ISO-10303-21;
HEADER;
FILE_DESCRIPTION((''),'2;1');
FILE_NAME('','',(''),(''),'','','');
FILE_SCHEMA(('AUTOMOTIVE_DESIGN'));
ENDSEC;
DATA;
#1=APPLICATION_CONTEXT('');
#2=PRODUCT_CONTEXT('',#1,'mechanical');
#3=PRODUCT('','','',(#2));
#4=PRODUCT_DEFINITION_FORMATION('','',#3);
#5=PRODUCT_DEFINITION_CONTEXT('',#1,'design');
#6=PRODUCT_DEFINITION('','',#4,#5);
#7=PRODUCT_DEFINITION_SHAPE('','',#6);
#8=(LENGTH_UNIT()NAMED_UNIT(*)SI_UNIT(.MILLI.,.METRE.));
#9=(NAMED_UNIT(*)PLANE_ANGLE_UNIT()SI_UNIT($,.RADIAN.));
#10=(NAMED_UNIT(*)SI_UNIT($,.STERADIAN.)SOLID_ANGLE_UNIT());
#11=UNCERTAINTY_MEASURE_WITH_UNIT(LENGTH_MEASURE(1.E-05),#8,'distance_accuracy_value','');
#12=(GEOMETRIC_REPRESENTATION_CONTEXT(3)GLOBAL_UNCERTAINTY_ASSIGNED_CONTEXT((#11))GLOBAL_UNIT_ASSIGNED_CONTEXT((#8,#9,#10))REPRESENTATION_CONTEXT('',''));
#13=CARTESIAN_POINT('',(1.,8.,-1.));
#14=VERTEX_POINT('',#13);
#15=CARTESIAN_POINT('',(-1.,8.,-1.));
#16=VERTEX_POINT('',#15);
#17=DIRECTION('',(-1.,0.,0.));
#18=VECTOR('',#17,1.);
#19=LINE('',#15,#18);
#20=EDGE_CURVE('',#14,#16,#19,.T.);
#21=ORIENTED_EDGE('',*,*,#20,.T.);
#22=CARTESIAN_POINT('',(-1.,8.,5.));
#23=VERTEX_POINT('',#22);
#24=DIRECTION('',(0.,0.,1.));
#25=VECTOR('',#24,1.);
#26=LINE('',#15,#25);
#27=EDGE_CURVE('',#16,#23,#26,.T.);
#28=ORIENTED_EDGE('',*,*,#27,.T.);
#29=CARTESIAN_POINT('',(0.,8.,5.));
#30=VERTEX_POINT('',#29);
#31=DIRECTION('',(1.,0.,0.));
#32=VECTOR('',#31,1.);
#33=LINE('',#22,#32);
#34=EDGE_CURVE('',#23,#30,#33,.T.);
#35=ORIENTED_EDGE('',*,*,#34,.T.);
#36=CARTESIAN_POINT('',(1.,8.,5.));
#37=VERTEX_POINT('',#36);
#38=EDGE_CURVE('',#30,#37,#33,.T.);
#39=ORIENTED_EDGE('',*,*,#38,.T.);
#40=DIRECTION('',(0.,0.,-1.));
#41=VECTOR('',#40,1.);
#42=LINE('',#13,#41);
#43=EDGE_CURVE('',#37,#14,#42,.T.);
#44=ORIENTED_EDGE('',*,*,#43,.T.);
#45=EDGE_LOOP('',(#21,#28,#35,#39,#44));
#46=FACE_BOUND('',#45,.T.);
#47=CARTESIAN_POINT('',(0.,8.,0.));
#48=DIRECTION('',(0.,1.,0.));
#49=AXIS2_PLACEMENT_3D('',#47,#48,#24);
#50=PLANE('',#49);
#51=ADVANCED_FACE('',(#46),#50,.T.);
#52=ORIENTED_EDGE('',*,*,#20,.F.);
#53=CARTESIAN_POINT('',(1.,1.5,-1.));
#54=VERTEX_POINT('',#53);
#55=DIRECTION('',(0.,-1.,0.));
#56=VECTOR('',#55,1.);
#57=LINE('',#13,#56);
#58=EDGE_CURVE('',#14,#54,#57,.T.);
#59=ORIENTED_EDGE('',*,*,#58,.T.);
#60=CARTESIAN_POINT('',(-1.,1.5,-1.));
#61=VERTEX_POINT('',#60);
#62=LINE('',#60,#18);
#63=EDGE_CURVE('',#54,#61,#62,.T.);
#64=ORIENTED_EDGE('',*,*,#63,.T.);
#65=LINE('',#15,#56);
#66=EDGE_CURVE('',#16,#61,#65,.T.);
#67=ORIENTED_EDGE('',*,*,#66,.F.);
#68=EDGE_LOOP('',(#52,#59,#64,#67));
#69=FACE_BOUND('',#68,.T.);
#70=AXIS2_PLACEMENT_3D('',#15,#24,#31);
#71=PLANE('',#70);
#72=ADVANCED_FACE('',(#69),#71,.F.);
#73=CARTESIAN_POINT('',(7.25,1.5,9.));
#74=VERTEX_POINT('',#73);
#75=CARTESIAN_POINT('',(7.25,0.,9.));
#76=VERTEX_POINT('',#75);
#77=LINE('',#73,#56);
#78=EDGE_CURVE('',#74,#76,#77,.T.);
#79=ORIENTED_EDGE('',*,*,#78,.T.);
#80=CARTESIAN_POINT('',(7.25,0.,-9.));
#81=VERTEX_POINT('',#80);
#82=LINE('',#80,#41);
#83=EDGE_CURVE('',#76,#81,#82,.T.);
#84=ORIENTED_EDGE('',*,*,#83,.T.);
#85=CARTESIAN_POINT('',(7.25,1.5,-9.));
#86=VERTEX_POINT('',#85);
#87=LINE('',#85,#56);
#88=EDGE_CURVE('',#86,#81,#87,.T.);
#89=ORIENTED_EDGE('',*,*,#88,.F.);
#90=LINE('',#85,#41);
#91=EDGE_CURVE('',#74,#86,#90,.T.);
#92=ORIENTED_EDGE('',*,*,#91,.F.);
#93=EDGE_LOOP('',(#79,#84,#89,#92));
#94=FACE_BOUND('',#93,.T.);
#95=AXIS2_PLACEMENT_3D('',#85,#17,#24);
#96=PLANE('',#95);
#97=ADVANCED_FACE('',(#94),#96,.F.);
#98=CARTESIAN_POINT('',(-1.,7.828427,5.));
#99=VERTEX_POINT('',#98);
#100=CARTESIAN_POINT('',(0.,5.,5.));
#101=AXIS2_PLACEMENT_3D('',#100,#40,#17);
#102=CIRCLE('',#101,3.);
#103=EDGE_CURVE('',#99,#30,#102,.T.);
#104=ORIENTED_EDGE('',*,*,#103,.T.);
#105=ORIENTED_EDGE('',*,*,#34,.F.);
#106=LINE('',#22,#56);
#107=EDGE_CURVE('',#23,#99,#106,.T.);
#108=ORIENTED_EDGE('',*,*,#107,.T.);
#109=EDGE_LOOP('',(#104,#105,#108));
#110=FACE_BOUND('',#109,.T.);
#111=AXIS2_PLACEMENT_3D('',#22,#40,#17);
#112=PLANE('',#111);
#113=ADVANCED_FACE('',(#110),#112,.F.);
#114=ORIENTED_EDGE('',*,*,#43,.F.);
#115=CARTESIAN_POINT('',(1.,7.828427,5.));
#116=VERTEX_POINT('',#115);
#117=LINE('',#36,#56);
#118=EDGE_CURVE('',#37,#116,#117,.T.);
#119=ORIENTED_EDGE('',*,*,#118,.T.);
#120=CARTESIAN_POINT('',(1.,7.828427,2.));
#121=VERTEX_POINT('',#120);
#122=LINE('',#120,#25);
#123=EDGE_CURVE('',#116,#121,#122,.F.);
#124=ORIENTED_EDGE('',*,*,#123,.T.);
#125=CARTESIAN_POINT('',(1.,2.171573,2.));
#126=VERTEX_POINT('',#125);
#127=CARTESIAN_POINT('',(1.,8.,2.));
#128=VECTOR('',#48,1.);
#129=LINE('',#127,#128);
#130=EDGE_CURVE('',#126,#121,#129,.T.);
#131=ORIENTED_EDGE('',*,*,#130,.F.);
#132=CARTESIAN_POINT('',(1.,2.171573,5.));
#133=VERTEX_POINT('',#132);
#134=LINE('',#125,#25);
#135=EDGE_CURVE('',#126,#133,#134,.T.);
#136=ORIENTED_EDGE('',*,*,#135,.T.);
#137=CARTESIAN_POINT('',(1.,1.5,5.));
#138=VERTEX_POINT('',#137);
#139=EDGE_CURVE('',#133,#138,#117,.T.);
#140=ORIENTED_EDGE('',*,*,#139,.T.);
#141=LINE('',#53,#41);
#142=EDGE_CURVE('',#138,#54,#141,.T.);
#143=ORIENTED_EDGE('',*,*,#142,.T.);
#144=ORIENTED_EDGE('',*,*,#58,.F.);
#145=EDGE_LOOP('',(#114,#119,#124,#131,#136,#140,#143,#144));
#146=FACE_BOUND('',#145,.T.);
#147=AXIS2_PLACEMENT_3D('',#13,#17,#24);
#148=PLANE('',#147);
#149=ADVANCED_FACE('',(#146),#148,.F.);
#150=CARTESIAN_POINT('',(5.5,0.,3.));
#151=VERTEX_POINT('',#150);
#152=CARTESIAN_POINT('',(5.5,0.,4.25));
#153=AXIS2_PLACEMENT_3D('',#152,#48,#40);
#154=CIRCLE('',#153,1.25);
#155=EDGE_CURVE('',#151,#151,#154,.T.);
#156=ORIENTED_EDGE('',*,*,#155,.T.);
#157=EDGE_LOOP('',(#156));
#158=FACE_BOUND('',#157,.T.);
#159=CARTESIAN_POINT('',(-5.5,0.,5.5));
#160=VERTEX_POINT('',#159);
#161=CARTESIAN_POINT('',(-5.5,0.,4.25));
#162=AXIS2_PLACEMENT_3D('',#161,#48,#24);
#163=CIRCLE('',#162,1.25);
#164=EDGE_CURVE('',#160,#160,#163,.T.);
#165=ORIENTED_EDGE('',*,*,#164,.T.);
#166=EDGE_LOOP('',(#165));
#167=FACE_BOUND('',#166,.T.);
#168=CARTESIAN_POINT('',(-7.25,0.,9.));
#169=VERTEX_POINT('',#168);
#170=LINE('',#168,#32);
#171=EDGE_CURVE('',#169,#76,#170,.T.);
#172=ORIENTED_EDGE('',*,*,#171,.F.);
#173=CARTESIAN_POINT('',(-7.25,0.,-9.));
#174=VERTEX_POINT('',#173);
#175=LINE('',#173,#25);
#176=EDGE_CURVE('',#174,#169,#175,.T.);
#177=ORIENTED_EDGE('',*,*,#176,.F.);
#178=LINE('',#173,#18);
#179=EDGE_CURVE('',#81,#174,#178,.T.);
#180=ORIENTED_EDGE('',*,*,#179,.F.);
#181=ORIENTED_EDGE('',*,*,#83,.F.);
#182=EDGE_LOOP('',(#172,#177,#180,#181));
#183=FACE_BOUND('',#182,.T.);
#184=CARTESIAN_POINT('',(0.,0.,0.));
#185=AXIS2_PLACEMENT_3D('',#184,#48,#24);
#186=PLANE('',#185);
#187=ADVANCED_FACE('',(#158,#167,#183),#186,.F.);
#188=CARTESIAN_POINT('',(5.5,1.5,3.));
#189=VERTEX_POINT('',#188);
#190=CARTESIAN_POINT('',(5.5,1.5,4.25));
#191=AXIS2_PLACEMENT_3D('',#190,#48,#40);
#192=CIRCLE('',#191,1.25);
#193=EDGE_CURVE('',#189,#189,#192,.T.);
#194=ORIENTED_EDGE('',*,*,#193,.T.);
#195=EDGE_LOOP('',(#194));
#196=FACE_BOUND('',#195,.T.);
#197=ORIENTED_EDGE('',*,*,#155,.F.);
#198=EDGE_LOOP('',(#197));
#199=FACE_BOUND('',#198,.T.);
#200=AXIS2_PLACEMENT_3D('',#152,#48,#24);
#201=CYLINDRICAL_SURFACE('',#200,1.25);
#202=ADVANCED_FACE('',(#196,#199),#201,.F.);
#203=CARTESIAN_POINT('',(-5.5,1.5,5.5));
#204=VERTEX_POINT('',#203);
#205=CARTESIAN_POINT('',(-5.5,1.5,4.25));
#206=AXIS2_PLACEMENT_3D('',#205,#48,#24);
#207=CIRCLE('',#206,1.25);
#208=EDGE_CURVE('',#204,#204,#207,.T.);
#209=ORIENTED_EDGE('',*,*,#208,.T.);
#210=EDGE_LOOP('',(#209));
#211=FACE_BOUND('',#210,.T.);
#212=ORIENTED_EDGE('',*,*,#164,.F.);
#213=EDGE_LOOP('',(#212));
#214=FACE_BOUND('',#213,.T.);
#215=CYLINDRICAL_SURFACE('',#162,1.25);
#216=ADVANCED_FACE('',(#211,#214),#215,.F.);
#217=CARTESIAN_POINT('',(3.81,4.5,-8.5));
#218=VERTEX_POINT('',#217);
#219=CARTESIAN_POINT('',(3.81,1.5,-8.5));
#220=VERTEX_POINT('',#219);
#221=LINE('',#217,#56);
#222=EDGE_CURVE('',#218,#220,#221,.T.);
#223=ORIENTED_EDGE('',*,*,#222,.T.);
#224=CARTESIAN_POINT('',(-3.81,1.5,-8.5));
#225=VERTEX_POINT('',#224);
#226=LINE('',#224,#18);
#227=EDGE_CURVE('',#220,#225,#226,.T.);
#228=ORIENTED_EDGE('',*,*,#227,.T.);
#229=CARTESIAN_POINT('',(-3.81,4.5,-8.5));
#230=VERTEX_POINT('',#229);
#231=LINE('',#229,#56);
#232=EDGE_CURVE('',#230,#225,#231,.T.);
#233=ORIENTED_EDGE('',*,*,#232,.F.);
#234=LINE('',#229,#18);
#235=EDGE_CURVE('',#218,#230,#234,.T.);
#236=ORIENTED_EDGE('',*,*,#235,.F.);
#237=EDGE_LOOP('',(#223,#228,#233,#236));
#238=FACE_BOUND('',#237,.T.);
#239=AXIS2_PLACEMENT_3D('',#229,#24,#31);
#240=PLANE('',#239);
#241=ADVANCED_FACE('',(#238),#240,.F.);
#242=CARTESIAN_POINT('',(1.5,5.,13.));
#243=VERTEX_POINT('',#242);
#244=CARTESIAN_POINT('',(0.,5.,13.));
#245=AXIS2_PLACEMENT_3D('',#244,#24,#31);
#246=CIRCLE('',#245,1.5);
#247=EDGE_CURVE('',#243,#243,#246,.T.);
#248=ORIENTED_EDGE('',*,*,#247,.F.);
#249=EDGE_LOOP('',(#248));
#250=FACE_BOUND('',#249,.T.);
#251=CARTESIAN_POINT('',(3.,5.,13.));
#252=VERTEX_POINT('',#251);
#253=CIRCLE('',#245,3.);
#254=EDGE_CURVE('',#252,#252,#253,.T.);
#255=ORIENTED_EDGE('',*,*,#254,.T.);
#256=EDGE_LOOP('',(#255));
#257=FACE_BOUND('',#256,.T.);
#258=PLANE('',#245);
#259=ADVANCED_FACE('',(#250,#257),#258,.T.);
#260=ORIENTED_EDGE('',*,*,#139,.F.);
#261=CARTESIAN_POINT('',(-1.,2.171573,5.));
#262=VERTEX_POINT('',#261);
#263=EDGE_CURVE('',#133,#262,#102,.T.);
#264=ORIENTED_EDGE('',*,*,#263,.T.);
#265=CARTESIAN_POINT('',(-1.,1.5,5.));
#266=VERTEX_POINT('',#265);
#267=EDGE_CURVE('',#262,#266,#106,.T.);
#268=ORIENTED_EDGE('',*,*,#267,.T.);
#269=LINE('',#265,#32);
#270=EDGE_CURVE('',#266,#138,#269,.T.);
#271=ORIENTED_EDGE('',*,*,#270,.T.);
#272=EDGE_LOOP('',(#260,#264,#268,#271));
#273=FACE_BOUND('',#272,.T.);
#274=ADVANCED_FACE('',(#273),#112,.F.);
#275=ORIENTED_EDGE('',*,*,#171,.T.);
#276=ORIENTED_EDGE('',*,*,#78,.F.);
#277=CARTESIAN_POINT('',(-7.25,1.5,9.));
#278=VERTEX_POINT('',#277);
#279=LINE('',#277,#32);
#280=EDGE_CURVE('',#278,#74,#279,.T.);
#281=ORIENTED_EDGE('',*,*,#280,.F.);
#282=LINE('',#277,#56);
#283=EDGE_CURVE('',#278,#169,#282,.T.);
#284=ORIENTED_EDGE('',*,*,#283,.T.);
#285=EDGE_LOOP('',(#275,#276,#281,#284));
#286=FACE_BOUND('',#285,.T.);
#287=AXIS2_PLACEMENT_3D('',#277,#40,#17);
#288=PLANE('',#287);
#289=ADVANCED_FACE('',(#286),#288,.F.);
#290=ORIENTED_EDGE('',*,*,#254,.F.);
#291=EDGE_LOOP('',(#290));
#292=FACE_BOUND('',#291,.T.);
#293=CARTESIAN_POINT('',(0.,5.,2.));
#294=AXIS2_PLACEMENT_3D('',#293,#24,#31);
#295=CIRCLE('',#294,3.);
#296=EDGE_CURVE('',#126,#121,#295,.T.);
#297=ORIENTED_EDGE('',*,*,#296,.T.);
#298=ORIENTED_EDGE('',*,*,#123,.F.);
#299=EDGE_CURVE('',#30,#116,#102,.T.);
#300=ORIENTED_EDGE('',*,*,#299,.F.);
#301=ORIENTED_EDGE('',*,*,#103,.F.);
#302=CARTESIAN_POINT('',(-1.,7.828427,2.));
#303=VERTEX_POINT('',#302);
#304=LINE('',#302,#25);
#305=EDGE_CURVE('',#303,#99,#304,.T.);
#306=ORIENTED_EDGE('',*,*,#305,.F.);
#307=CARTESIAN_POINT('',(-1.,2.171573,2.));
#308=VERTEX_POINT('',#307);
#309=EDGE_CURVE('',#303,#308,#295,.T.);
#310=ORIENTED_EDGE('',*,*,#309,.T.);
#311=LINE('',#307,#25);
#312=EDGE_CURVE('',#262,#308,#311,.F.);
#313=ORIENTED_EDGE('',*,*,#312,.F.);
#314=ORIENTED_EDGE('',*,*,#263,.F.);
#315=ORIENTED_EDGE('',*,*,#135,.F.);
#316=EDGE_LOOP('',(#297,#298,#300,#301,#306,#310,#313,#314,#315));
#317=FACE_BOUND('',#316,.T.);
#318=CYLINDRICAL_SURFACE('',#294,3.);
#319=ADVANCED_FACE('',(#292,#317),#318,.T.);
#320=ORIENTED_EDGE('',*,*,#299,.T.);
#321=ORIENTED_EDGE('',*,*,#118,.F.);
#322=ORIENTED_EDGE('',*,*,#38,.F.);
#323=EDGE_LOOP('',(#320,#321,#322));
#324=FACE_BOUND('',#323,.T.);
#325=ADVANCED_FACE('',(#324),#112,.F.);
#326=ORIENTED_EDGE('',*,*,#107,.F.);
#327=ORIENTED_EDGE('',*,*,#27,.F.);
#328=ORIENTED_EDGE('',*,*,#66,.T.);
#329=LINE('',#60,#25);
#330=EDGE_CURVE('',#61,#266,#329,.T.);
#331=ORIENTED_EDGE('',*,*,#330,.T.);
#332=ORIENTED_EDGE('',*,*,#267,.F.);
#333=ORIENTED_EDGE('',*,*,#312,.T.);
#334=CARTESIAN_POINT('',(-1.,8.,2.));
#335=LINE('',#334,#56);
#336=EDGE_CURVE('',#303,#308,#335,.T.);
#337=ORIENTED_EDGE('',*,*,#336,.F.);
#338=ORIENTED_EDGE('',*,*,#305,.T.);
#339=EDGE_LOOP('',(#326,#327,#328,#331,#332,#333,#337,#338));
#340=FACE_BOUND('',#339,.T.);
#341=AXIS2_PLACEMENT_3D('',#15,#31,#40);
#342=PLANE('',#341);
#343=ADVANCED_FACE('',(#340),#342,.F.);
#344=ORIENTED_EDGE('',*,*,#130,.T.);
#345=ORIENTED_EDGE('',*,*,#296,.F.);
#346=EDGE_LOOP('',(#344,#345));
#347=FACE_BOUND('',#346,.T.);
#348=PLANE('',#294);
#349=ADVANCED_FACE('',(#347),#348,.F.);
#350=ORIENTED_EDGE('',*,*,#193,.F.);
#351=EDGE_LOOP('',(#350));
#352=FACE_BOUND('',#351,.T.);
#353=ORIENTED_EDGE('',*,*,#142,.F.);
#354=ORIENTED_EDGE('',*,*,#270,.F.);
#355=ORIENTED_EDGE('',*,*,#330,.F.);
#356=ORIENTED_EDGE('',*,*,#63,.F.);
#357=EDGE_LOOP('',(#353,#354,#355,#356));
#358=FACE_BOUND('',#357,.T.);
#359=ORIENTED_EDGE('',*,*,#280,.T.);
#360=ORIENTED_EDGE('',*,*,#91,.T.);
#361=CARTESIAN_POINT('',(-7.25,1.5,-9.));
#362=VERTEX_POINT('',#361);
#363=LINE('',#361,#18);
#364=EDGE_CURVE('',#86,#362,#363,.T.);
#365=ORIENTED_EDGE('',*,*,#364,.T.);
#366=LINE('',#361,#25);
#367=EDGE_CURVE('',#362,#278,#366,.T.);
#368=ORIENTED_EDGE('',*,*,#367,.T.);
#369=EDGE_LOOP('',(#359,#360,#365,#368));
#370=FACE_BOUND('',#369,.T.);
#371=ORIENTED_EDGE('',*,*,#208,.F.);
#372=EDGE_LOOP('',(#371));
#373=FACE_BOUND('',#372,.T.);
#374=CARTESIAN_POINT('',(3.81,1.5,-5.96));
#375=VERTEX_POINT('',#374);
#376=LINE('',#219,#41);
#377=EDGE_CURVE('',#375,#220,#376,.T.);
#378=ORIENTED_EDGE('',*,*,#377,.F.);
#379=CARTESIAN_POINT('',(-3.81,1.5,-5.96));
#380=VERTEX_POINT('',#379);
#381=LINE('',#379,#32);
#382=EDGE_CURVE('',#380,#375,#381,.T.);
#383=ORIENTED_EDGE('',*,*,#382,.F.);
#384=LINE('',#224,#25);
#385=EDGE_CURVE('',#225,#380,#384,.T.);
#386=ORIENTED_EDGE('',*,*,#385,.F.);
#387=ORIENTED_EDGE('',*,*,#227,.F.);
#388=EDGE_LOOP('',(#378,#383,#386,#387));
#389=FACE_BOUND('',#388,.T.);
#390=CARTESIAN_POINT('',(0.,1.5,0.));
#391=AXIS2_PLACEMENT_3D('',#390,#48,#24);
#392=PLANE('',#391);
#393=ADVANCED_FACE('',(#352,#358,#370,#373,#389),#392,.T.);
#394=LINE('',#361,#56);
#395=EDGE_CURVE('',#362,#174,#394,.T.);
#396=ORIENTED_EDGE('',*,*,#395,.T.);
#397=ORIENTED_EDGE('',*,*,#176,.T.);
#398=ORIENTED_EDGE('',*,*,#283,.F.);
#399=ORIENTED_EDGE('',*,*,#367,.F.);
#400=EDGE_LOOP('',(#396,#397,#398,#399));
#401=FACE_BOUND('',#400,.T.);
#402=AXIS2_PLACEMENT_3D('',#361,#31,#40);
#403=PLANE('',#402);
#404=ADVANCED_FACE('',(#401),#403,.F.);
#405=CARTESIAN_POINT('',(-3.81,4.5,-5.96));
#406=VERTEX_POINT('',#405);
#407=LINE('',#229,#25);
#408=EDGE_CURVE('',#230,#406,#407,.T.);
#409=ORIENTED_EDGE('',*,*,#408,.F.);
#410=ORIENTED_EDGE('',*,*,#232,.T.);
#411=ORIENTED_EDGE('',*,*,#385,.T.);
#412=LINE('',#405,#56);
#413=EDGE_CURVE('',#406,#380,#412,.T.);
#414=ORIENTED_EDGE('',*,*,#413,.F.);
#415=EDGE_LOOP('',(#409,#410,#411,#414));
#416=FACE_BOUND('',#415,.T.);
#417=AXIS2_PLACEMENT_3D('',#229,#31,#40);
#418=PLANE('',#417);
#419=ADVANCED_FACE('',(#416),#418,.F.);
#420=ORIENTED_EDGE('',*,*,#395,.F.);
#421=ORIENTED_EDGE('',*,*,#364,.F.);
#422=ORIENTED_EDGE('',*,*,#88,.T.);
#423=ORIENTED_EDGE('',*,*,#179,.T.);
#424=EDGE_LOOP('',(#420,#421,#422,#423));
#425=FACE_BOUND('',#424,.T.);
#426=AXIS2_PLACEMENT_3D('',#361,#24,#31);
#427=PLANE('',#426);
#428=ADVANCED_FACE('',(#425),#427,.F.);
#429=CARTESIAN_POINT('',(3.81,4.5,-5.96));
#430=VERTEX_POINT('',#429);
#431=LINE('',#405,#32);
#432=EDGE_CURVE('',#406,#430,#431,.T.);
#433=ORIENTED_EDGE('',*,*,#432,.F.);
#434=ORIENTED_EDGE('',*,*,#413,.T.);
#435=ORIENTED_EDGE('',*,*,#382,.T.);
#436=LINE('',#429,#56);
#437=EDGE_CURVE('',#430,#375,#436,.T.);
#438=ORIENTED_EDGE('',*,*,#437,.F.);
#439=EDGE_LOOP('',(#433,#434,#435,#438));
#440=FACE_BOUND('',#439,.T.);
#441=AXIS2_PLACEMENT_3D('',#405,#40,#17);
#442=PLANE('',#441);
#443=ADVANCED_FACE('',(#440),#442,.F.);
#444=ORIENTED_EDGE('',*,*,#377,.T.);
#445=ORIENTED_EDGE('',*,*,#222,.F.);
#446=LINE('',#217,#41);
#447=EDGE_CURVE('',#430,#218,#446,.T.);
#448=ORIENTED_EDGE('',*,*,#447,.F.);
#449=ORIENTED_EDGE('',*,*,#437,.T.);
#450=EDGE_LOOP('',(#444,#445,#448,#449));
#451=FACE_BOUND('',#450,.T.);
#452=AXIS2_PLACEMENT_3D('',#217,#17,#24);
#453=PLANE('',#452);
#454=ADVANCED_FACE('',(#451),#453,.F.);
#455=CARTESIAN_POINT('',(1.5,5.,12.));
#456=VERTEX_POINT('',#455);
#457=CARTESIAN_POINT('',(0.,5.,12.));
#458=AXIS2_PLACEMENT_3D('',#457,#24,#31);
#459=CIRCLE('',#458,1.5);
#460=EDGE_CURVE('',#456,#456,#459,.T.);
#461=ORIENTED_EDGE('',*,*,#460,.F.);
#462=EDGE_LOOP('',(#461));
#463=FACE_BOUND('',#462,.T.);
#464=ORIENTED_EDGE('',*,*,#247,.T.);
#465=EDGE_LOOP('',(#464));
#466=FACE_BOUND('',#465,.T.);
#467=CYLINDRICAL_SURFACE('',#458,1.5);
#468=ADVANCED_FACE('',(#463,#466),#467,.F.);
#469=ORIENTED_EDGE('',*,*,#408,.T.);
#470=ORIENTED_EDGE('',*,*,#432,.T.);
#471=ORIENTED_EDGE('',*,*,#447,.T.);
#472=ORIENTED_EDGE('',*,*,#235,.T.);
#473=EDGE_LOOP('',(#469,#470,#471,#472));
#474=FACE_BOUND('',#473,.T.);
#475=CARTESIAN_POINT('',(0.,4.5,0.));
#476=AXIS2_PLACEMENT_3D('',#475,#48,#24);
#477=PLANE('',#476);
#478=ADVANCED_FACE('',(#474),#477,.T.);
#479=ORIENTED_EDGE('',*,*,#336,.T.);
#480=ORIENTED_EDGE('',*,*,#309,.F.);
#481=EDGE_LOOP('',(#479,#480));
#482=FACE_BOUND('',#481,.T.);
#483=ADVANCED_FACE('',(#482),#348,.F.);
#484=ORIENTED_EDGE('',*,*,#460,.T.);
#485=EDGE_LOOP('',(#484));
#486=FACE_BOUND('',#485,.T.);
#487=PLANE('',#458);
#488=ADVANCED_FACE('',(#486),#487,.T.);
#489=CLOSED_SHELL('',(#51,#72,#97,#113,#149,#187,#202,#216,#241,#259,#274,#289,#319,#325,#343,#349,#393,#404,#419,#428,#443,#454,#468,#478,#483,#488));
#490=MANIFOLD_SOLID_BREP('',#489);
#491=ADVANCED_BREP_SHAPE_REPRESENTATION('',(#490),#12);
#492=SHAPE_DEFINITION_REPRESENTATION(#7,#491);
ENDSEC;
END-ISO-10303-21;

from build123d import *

# Parameters (mm, degrees)
SKETCH1_W                = 14.5
SKETCH1_H                = 18
BOSS_EXTRUDE1_DEPTH      = 1.5
BOSS_EXTRUDE2_DEPTH      = 4
BOSS_EXTRUDE2_DEPTH_BACK = 7
SKETCH2_R                = 3
SKETCH3_R                = 1.5
CUT_EXTRUDE1_DEPTH       = 1
SKETCH4_W                = 2
SKETCH4_H                = 6
BOSS_EXTRUDE3_DEPTH      = 6.5
SKETCH5_W                = 7.62
SKETCH5_H                = 2.54
BOSS_EXTRUDE4_DEPTH      = 3
SKETCH7_R                = 1.25
CUT_EXTRUDE2_DEPTH       = 17.242305871


with BuildPart() as part:
    # Sketch1 → Boss-Extrude1 (new body)
    with BuildSketch(Plane(origin=(0, 0, 0), x_dir=(1, 0, 0), z_dir=(0, 1, 0))):
        Rectangle(SKETCH1_W, SKETCH1_H)
    extrude(amount=BOSS_EXTRUDE1_DEPTH)



with BuildPart() as body_2:
    # Sketch2 → Boss-Extrude2 (new, two sides: drawn at the far end of the back side and taken through both)
    with BuildSketch(Plane.XY.offset(9).offset(-BOSS_EXTRUDE2_DEPTH_BACK)):
        with Locations((0, 5)):
            Circle(SKETCH2_R)
    extrude(amount=BOSS_EXTRUDE2_DEPTH + BOSS_EXTRUDE2_DEPTH_BACK)

    # Sketch3 → Cut-Extrude1 (cut)
    with BuildSketch(Plane.XY.offset(13)):
        with Locations((0, 5)):
            Circle(SKETCH3_R)
    extrude(amount=-CUT_EXTRUDE1_DEPTH, mode=Mode.SUBTRACT)


with BuildPart() as part_1:
    add(part.part)

    add(body_2.part)  # Boss-Extrude3 merges body 2
    # Sketch4 → Boss-Extrude3 (add)
    with BuildSketch(Plane(origin=(0, 1.5, 0), x_dir=(1, 0, 0), z_dir=(0, 1, 0))):
        with Locations((0, -2)):
            Rectangle(SKETCH4_W, SKETCH4_H)
    extrude(amount=BOSS_EXTRUDE3_DEPTH)

    # Sketch5 → Boss-Extrude4 (add)
    with BuildSketch(Plane(origin=(0, 1.5, 0), x_dir=(1, 0, 0), z_dir=(0, 1, 0))):
        with Locations((0, 7.23)):
            Rectangle(SKETCH5_W, SKETCH5_H)
    extrude(amount=BOSS_EXTRUDE4_DEPTH)

    # Sketch7 → Cut-Extrude2 (cut, through all)
    with BuildSketch(Plane(origin=(0, 1.5, 0), x_dir=(1, 0, 0), z_dir=(0, 1, 0))):
        with Locations(Location((-5.5, -4.25, 0), (0, 0, 270))):
            Circle(SKETCH7_R)
        with Locations(Location((5.5, -4.25, 0), (0, 0, 90))):
            Circle(SKETCH7_R)
    extrude(amount=-CUT_EXTRUDE2_DEPTH, mode=Mode.SUBTRACT)


solid = part_1.part
